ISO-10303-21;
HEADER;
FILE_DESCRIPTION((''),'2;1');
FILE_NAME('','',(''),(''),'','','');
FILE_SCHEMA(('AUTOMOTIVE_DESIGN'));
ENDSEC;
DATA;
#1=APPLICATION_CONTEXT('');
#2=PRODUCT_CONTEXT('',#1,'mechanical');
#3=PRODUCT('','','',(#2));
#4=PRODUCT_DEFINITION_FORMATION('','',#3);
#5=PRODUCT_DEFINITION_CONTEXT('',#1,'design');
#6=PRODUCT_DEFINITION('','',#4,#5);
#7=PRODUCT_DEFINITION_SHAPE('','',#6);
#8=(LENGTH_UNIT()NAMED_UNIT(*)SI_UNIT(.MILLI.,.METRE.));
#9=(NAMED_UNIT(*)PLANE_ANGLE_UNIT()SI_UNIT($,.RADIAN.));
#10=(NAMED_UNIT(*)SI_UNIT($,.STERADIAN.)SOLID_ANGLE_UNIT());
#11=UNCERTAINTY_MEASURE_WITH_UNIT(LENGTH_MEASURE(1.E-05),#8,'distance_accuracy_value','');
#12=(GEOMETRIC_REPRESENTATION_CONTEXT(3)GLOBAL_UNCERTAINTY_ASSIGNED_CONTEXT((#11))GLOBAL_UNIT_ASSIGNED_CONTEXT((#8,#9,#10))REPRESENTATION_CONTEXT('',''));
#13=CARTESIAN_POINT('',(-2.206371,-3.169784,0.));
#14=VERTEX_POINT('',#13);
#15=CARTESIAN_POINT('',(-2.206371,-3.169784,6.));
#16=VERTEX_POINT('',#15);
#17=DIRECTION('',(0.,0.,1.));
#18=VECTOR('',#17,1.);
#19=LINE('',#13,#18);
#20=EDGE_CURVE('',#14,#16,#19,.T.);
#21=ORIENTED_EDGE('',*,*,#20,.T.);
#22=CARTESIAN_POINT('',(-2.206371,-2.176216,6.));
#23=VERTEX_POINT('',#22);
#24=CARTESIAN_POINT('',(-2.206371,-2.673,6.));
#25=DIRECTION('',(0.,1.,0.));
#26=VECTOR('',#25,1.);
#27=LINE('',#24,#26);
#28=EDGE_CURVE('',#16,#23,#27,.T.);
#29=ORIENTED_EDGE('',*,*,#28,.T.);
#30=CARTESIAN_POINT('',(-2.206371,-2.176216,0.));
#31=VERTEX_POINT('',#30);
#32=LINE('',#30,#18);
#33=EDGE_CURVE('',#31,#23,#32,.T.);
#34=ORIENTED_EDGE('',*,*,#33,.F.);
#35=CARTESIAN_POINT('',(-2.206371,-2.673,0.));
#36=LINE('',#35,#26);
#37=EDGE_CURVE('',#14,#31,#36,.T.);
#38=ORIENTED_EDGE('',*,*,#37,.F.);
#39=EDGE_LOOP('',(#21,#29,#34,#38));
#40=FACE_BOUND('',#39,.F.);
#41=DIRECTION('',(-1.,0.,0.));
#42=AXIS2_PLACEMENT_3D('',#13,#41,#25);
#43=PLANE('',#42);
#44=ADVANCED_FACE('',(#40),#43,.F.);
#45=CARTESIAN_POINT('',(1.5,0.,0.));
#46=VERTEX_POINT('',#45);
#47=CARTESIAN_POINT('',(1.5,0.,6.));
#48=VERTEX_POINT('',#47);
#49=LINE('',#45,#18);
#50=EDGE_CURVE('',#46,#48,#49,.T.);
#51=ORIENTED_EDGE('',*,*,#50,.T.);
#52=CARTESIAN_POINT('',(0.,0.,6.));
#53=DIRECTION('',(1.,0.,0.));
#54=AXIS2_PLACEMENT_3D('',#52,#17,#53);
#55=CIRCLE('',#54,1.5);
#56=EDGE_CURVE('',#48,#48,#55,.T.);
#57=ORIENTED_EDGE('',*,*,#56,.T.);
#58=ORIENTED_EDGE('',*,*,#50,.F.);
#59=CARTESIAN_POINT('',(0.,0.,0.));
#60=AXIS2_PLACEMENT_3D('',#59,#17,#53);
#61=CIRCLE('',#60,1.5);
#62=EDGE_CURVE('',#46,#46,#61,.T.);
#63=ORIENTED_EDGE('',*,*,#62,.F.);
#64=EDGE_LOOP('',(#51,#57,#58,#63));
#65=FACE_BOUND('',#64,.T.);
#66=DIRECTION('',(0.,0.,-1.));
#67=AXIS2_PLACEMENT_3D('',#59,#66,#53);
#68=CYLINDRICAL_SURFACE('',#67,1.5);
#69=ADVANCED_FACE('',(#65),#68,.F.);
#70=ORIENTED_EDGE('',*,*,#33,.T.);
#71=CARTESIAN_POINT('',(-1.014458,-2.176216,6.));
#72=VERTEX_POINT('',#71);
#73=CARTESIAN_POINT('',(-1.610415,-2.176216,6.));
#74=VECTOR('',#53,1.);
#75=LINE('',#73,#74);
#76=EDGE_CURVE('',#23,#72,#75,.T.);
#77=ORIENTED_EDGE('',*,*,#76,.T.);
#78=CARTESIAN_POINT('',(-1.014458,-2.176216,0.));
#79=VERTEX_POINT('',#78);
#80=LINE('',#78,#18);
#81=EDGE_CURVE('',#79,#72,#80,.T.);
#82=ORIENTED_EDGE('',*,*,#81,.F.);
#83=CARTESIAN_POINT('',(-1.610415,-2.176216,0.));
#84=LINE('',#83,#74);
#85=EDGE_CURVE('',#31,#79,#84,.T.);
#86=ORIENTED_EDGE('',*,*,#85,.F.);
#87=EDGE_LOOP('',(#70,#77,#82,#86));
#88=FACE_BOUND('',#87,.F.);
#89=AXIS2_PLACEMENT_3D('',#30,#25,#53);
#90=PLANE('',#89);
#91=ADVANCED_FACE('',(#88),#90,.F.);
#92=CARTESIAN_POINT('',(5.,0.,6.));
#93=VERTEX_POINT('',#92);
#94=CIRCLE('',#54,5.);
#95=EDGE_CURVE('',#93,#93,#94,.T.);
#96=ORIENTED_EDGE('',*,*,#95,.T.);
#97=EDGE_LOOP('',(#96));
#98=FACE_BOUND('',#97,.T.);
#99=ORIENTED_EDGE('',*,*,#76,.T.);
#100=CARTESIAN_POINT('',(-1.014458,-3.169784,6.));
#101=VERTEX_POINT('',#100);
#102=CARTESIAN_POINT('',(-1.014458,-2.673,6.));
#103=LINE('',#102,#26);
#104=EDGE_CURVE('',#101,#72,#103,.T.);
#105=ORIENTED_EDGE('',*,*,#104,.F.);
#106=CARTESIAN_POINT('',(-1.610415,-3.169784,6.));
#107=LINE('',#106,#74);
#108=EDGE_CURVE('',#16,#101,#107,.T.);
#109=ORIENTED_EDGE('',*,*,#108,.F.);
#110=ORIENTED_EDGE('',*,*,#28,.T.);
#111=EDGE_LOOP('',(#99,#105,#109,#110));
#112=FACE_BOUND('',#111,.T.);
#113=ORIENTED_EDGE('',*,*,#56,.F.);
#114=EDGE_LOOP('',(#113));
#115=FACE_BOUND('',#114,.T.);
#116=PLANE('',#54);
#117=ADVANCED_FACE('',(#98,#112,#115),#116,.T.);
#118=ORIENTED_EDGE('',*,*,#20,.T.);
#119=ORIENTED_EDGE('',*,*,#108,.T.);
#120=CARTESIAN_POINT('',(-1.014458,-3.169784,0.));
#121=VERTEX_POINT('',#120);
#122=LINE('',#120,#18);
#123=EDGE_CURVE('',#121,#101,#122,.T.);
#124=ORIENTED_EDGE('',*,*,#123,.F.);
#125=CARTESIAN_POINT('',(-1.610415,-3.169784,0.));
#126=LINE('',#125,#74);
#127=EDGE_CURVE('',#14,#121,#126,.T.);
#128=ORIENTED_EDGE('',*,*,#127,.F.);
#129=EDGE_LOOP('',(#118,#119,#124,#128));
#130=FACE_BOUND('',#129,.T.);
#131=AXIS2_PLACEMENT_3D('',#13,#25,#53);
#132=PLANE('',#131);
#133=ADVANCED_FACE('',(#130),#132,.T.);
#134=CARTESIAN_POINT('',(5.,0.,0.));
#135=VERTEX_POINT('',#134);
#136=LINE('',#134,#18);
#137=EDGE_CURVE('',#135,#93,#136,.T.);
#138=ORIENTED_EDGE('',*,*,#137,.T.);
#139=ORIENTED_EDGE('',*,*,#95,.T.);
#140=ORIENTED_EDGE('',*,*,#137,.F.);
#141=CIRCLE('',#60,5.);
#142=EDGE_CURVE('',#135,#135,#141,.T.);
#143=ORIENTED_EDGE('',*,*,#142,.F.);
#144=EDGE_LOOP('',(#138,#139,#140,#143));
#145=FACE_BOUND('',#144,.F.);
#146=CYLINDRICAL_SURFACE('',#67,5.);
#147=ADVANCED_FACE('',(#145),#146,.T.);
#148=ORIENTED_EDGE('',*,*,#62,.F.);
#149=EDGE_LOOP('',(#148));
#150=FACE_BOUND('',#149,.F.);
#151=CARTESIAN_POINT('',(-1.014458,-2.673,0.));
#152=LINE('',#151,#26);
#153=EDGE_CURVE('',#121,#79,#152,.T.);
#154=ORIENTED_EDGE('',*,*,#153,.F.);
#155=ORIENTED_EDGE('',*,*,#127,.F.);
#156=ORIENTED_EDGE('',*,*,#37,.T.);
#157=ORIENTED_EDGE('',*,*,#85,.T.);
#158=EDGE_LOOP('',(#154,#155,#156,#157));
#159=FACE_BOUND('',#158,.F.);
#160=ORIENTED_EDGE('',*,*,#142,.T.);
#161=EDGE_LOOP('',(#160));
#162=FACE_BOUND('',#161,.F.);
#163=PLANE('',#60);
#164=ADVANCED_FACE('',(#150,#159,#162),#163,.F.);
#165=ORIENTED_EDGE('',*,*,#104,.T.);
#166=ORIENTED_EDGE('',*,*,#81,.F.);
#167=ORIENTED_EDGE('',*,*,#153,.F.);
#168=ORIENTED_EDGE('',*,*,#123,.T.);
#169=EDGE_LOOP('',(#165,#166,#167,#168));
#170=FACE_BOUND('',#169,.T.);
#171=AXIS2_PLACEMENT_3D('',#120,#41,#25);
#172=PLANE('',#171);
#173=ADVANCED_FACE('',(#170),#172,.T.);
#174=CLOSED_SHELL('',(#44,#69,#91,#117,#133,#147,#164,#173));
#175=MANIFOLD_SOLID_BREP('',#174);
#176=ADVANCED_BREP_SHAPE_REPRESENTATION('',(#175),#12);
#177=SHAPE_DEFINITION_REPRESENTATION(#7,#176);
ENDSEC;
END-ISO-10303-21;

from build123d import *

# Parameters (mm, degrees)
F0_R     = 5
F0_W     = 1.191913
F0_H     = 0.993568
F0_R_2   = 1.5
F1_DEPTH = 6


with BuildPart() as f1:
    # F0 (on Top) → F1 (new body)
    with BuildSketch(Plane.XY):
        Circle(F0_R)
        with Locations((-1.610415, -2.673)):
            Rectangle(F0_W, F0_H, mode=Mode.SUBTRACT)
        Circle(F0_R_2, mode=Mode.SUBTRACT)
    extrude(amount=F1_DEPTH)


solid = f1.part
